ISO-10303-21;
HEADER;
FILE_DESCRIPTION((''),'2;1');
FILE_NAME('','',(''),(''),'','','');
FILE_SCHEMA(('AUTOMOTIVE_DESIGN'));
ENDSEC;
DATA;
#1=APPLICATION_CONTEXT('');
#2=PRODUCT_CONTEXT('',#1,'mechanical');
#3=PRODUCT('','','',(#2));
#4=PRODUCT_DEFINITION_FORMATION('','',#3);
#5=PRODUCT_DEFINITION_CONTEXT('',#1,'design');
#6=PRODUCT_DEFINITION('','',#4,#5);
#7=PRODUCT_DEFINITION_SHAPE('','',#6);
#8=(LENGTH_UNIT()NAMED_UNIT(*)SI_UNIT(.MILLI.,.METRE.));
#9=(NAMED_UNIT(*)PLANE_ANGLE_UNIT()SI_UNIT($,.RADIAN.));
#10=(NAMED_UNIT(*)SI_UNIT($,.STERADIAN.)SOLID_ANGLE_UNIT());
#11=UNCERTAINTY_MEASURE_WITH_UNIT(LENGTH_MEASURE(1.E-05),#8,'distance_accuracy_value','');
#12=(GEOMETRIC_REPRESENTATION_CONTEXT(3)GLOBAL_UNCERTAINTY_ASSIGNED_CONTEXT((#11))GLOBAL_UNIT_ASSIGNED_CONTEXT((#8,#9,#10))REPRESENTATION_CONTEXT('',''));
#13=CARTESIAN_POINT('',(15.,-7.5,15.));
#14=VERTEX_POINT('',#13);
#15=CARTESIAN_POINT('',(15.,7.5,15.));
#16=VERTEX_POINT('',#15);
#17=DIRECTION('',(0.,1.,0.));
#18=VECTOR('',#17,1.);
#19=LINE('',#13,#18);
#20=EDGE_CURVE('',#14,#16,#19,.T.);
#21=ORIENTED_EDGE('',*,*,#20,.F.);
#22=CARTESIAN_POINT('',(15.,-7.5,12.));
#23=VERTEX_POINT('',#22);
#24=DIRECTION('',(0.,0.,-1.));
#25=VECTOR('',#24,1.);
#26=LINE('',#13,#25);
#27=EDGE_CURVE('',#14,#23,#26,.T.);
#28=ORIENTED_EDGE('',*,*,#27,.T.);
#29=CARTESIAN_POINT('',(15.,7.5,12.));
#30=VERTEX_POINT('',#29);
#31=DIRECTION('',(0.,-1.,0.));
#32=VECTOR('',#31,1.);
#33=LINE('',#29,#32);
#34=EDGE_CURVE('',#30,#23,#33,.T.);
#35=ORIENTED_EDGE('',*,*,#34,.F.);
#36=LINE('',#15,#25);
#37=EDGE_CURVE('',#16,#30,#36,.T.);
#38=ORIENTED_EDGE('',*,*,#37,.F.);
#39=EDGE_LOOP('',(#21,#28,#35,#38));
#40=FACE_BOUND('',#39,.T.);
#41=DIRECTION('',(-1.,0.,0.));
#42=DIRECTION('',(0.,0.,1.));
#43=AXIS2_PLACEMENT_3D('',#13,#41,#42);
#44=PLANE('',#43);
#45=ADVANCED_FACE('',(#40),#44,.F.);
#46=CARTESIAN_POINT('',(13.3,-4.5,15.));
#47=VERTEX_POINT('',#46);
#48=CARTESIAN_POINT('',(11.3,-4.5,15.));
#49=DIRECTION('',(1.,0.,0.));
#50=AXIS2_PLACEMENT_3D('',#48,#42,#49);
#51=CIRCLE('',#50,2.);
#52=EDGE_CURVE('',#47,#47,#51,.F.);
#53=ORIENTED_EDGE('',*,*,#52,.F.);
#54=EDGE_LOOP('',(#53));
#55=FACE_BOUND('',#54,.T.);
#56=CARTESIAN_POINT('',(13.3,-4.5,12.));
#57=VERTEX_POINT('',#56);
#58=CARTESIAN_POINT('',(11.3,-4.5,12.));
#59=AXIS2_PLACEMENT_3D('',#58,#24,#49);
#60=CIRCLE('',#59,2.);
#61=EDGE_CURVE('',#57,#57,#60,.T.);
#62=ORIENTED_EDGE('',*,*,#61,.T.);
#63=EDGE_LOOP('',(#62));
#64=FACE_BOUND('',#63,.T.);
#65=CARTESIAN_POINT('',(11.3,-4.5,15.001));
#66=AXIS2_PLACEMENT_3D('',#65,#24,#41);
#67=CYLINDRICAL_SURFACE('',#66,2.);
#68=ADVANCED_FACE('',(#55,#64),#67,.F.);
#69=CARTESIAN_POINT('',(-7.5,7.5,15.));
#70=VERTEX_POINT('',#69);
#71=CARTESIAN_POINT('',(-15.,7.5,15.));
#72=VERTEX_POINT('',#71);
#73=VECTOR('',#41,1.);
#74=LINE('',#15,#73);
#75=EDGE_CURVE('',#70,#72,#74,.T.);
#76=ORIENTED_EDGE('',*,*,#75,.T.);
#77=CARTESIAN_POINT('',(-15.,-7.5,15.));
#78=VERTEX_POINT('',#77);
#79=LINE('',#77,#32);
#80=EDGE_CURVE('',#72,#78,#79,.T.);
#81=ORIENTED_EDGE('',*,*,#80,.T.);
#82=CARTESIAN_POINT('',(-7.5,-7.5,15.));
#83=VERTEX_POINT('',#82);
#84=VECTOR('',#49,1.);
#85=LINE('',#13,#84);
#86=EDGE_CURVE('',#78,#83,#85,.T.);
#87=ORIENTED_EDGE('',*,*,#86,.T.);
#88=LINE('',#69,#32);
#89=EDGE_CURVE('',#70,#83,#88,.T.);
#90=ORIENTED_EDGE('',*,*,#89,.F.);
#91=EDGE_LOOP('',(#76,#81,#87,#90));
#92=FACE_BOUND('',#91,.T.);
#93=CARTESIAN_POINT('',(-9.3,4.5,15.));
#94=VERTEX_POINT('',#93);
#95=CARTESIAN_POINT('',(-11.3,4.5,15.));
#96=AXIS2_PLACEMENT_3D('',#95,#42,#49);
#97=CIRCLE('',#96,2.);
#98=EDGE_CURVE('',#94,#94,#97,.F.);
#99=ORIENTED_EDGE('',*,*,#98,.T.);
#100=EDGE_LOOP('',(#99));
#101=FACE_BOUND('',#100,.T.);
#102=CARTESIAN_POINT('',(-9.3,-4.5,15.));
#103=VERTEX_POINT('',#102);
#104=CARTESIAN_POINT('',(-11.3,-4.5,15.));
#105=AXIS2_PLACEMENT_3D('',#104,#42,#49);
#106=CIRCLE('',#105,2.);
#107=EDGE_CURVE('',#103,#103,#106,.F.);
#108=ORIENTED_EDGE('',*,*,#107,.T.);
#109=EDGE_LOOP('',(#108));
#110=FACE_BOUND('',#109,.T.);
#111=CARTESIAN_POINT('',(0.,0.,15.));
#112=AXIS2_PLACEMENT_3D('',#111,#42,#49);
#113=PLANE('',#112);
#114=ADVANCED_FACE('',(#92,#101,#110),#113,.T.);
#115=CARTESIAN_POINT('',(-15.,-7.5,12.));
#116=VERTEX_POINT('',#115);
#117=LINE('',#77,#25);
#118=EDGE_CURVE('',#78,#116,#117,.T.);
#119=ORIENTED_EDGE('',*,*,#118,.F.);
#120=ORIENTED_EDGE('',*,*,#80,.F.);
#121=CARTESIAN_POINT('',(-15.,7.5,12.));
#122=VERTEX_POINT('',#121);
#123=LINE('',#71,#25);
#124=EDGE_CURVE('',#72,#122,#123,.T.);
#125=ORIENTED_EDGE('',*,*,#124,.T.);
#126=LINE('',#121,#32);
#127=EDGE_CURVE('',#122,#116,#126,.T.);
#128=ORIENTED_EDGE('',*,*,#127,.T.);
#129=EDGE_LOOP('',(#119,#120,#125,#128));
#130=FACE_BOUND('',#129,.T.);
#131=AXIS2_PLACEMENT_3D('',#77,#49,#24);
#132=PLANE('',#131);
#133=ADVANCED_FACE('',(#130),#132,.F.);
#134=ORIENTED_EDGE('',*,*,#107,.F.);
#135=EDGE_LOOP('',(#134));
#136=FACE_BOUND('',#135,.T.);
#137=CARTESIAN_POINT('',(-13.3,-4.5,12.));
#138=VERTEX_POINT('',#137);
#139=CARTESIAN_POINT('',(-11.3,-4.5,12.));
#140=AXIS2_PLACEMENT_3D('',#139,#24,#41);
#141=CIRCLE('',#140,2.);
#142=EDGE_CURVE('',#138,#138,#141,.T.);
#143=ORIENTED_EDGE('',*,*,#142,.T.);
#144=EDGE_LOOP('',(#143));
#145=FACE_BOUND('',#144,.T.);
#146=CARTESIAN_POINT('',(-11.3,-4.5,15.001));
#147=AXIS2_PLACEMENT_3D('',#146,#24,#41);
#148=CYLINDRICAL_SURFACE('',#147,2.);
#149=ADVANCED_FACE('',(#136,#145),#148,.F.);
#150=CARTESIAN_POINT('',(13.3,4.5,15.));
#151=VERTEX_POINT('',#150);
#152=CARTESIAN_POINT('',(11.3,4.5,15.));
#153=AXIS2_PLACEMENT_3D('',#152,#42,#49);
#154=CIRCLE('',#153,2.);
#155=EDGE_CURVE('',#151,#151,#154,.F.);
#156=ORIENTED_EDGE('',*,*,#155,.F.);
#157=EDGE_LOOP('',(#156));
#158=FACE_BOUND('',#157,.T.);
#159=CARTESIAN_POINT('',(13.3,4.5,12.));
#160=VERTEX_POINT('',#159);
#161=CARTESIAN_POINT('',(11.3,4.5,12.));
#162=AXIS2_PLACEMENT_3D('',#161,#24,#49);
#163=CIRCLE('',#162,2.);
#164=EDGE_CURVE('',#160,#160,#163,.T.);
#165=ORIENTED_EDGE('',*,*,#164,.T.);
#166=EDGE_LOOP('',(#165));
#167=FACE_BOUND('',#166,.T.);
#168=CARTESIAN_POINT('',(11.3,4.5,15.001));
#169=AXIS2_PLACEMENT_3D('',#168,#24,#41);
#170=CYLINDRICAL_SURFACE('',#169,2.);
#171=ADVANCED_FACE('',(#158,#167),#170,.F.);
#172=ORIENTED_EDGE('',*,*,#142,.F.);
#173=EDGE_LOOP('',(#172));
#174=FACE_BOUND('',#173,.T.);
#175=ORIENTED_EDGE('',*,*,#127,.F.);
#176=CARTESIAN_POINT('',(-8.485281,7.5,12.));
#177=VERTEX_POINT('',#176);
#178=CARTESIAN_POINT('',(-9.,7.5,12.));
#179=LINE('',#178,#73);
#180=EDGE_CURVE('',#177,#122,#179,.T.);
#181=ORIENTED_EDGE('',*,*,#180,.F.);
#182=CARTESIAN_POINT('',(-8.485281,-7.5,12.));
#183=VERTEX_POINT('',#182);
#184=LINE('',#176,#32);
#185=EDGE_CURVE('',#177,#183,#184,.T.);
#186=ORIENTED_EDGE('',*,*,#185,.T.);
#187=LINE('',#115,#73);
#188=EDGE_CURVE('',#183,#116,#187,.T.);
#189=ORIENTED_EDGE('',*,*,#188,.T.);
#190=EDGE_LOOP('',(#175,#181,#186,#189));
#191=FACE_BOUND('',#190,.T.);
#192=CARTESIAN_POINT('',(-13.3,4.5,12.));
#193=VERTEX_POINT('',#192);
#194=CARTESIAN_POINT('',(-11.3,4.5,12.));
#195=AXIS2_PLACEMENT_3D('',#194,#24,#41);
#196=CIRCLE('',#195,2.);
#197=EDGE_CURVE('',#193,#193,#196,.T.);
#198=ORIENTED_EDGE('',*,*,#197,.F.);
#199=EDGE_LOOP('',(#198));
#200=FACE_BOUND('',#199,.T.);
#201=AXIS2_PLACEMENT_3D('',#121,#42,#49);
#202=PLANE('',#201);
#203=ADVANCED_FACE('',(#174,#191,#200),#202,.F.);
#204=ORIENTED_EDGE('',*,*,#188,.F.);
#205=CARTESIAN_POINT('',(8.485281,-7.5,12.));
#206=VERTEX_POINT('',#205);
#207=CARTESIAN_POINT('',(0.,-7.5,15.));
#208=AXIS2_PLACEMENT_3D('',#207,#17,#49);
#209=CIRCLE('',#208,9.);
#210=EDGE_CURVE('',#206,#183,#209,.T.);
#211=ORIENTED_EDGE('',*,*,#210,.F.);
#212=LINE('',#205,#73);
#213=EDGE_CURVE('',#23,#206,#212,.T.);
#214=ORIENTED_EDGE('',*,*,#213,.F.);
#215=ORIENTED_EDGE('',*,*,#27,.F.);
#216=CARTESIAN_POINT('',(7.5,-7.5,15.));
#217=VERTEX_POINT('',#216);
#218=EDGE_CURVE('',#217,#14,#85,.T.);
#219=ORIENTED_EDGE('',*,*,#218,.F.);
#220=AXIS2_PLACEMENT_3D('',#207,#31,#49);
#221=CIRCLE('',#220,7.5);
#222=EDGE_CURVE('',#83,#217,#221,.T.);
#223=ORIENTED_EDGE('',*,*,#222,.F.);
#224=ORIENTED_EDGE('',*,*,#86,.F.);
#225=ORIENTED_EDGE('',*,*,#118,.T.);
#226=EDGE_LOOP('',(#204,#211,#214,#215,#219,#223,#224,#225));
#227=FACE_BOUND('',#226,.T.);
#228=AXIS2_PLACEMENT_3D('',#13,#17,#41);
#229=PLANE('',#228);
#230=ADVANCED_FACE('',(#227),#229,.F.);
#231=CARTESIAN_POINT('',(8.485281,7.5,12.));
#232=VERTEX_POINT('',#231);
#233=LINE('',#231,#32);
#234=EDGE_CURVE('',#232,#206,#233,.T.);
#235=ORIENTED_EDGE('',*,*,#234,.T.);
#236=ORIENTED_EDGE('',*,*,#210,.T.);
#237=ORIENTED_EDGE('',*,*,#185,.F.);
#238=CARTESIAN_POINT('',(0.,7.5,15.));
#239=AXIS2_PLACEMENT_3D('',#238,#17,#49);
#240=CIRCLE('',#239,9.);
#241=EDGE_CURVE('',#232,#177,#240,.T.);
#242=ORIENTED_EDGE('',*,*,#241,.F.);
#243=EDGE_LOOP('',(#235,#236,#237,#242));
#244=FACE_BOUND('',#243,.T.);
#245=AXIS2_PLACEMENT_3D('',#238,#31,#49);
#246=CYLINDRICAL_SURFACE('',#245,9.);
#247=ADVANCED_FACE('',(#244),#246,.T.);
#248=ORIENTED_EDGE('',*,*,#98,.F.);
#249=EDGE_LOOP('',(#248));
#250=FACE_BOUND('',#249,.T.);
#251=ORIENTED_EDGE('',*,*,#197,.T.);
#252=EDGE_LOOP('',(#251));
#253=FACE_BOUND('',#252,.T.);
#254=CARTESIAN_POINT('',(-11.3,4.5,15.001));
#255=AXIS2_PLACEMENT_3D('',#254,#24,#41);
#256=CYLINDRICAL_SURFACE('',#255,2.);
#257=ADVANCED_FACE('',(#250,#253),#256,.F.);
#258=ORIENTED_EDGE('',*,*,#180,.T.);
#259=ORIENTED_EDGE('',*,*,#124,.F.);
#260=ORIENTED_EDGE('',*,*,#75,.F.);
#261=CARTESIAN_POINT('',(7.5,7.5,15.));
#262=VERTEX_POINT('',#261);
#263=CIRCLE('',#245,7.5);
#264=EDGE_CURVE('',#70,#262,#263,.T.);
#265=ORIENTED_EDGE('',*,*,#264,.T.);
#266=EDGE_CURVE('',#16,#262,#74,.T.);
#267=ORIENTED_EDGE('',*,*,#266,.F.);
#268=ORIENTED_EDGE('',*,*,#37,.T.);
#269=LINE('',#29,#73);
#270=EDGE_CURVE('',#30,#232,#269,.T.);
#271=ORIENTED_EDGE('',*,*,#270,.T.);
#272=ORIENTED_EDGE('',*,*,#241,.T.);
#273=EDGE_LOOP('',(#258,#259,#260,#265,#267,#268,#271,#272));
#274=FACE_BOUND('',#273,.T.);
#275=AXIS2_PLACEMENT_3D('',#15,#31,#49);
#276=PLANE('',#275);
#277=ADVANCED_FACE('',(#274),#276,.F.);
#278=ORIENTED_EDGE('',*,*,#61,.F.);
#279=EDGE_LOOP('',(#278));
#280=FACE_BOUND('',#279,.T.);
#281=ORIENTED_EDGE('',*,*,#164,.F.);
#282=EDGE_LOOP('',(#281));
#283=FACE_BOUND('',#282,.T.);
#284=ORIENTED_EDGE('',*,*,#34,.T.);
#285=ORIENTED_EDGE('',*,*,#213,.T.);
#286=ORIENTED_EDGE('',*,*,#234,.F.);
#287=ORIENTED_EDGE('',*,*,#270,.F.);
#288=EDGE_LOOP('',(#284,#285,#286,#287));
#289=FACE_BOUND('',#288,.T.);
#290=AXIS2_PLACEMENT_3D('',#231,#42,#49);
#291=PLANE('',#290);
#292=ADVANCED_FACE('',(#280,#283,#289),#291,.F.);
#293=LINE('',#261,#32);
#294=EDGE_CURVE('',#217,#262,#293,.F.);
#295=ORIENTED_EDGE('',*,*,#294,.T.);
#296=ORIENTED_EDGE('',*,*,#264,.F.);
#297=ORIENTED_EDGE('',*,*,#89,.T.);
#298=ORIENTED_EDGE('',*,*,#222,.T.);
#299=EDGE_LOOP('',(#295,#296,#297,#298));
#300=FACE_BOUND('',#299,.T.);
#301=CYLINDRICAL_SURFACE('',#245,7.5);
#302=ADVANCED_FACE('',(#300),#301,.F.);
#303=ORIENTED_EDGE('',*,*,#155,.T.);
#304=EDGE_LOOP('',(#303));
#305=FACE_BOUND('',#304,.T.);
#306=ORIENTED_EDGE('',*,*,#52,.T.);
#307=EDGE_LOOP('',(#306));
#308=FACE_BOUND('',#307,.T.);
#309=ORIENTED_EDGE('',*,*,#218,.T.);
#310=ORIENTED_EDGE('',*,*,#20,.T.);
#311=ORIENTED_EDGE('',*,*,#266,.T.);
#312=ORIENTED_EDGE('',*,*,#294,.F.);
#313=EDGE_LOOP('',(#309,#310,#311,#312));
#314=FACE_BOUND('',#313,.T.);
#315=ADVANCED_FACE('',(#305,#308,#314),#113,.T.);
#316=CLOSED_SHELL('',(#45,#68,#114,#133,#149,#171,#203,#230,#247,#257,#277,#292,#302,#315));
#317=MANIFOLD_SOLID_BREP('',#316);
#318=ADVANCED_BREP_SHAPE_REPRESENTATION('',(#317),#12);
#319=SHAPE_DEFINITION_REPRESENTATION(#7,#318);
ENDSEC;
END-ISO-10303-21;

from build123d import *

# Parameters (mm, degrees)
SKETCH1_W           = 30
SKETCH1_H           = 15
BOSS_EXTRUDE1_DEPTH = 15
SKETCH2_R           = 7.5
CUT_EXTRUDE1_DEPTH  = 15
CUT_EXTRUDE2_REACH  = 5
SKETCH3_R           = 2


with BuildPart() as part:
    # Sketch1 → Boss-Extrude1 (new body)
    with BuildSketch(Plane.XY):
        Rectangle(SKETCH1_W, SKETCH1_H)
    extrude(amount=BOSS_EXTRUDE1_DEPTH)

    # Sketch2 → Cut-Extrude1 (cut)
    with BuildSketch(Plane.XZ.offset(7.5)):
        with Locations((0, 15)):
            Circle(SKETCH2_R)
        with BuildLine():
            Line((-15, 12), (-9, 12))
            Line((-9, 12), (-8.485281374, 12))
            ThreePointArc((-8.485281374, 12), (0, 6), (8.485281374, 12))
            Line((8.485281374, 12), (9, 12))
            Line((9, 12), (15, 12))
            Line((15, 12), (15, 0))
            Line((15, 0), (11, 0))
            Line((11, 0), (-11, 0))
            Line((-11, 0), (-15, 0))
            Line((-15, 0), (-15, 12))
        make_face()
    extrude(amount=-CUT_EXTRUDE1_DEPTH, mode=Mode.SUBTRACT)

    # Sketch3 → Cut-Extrude2 (cut, up to next)
    with BuildSketch(Plane(origin=(0, 0, 12), x_dir=(-1, 0, 0), z_dir=(0, 0, -1)), mode=Mode.PRIVATE) as cut_extrude2_sk1:
        with Locations((11.3, -4.5)):
            Circle(SKETCH3_R)
    cut_extrude2_tool1 = extrude(cut_extrude2_sk1.sketch, amount=-CUT_EXTRUDE2_REACH, mode=Mode.PRIVATE) & part.part
    add(cut_extrude2_tool1.solids().sort_by_distance((-11.3, -4.5, 12))[0], mode=Mode.SUBTRACT)
    # Sketch3 → Cut-Extrude2 (cut, up to next)
    with BuildSketch(Plane(origin=(0, 0, 12), x_dir=(-1, 0, 0), z_dir=(0, 0, -1)), mode=Mode.PRIVATE) as cut_extrude2_sk2:
        with Locations((11.3, 4.5)):
            Circle(SKETCH3_R)
    cut_extrude2_tool2 = extrude(cut_extrude2_sk2.sketch, amount=-CUT_EXTRUDE2_REACH, mode=Mode.PRIVATE) & part.part
    add(cut_extrude2_tool2.solids().sort_by_distance((-11.3, 4.5, 12))[0], mode=Mode.SUBTRACT)
    # Sketch3 → Cut-Extrude2 (cut, up to next)
    with BuildSketch(Plane(origin=(0, 0, 12), x_dir=(-1, 0, 0), z_dir=(0, 0, -1)), mode=Mode.PRIVATE) as cut_extrude2_sk3:
        with Locations((-11.3, 4.5)):
            Circle(SKETCH3_R)
    cut_extrude2_tool3 = extrude(cut_extrude2_sk3.sketch, amount=-CUT_EXTRUDE2_REACH, mode=Mode.PRIVATE) & part.part
    add(cut_extrude2_tool3.solids().sort_by_distance((11.3, 4.5, 12))[0], mode=Mode.SUBTRACT)
    # Sketch3 → Cut-Extrude2 (cut, up to next)
    with BuildSketch(Plane(origin=(0, 0, 12), x_dir=(-1, 0, 0), z_dir=(0, 0, -1)), mode=Mode.PRIVATE) as cut_extrude2_sk4:
        with Locations((-11.3, -4.5)):
            Circle(SKETCH3_R)
    cut_extrude2_tool4 = extrude(cut_extrude2_sk4.sketch, amount=-CUT_EXTRUDE2_REACH, mode=Mode.PRIVATE) & part.part
    add(cut_extrude2_tool4.solids().sort_by_distance((11.3, -4.5, 12))[0], mode=Mode.SUBTRACT)


solid = part.part
